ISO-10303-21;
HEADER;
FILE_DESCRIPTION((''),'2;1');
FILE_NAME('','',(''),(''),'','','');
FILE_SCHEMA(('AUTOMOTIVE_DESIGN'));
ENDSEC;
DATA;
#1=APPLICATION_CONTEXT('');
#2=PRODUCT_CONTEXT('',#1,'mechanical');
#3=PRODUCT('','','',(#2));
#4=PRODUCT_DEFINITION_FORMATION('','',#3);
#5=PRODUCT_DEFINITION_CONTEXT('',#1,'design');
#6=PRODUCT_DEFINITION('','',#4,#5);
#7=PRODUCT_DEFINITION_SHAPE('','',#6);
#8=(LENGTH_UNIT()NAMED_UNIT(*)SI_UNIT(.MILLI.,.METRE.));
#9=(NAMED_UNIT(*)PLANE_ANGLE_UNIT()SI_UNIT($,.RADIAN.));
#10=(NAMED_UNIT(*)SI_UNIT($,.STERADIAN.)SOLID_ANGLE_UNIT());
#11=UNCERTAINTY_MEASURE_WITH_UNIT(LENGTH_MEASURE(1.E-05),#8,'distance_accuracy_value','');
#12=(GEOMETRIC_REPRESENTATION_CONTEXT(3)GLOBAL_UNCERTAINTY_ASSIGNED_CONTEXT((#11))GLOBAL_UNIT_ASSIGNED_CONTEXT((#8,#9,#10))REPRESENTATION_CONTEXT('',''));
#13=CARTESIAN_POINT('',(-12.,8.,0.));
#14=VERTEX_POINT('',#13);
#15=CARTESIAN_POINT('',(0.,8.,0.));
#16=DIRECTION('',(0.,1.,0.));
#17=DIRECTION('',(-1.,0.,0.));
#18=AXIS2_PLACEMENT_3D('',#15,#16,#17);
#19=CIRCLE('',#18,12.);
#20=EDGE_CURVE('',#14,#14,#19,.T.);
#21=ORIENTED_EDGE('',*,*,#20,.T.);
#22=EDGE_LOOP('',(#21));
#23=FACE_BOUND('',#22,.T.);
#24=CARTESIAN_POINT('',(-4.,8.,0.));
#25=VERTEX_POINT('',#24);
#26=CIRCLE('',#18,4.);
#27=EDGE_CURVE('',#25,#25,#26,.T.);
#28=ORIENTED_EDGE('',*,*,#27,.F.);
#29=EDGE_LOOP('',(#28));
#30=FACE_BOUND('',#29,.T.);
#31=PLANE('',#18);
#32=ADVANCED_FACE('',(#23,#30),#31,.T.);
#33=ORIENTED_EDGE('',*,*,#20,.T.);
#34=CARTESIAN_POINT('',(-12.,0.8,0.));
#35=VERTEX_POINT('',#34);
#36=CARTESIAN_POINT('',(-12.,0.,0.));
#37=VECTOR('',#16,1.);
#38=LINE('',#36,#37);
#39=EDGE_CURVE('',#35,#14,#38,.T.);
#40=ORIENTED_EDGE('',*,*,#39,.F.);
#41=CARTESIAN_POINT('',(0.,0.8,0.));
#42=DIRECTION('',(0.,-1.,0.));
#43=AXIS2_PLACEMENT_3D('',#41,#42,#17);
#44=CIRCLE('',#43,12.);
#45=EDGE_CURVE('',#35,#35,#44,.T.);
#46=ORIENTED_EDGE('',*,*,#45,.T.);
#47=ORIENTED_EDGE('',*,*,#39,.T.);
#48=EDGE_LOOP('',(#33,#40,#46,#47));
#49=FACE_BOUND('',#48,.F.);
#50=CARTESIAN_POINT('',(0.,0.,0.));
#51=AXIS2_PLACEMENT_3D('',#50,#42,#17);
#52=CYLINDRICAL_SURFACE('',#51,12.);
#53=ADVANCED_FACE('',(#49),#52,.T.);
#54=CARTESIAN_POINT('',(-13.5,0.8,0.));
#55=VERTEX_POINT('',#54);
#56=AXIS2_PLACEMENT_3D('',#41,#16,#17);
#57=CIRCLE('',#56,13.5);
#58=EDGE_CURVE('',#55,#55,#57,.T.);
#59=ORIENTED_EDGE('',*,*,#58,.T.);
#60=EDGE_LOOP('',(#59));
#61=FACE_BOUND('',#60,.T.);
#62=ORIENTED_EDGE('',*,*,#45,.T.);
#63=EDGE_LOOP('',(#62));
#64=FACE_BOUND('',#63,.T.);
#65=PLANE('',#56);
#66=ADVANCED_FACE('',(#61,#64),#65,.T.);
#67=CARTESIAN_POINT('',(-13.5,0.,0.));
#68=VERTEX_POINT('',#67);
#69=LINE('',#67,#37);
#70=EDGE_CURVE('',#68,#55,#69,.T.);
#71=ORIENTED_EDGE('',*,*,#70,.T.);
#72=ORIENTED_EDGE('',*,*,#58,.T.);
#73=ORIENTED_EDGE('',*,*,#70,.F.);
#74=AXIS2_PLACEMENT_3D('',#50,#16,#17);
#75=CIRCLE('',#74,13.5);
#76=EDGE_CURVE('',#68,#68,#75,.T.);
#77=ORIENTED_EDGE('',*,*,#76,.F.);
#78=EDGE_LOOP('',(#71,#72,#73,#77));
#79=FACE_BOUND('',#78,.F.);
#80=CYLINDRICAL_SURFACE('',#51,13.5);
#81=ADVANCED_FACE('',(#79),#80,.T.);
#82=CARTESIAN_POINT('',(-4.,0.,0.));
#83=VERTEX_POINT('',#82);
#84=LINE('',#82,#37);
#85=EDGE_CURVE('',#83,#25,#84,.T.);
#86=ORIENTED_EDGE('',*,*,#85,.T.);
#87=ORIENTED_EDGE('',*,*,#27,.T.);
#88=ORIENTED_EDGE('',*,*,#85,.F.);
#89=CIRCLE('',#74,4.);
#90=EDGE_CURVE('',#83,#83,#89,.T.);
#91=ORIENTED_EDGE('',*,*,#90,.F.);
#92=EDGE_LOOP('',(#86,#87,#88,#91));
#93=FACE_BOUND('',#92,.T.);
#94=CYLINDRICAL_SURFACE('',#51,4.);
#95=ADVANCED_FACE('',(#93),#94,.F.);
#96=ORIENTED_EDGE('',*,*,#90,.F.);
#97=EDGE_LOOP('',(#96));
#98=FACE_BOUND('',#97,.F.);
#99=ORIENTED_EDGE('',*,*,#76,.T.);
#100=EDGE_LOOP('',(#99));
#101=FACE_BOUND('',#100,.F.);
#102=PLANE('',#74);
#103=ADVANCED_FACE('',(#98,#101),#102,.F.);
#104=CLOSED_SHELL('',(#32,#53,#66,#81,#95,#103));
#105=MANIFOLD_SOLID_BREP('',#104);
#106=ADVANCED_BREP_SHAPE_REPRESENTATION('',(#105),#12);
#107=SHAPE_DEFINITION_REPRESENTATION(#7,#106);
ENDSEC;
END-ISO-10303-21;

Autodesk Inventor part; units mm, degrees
ref_plane "YZ Plane" through (0, 0, 0) normal (1, 0, 0) x (0, 1, 0)
ref_plane "XZ Plane" through (0, 0, 0) normal (0, 1, 0) x (-1, 0, 0)
ref_plane "XY Plane" through (0, 0, 0) normal (0, 0, 1) x (1, 0, 0)
sketch "Sketch1" plane through (0, 0, 0) normal (0, 1, 0) x (-1, 0, 0)
  circle A0 centre (0, 0) radius 13.5
  circle A1 centre (0, 0) radius 12
  circle A2 centre (0, 0) radius 4
  dimension "d0" = 27
  dimension "d1" = 24
  dimension "d2" = 8
extrude "Extrusion1" add sketch "Sketch1" along normal blind 8 contours A1
extrude "Extrusion2" add sketch "Sketch1" along normal blind 0.8 contours A0 | A1 | A2
extrude "Extrusion3" cut sketch "Sketch1" along normal blind 0.8 contours A2
properties part number "FlangedBearing"
